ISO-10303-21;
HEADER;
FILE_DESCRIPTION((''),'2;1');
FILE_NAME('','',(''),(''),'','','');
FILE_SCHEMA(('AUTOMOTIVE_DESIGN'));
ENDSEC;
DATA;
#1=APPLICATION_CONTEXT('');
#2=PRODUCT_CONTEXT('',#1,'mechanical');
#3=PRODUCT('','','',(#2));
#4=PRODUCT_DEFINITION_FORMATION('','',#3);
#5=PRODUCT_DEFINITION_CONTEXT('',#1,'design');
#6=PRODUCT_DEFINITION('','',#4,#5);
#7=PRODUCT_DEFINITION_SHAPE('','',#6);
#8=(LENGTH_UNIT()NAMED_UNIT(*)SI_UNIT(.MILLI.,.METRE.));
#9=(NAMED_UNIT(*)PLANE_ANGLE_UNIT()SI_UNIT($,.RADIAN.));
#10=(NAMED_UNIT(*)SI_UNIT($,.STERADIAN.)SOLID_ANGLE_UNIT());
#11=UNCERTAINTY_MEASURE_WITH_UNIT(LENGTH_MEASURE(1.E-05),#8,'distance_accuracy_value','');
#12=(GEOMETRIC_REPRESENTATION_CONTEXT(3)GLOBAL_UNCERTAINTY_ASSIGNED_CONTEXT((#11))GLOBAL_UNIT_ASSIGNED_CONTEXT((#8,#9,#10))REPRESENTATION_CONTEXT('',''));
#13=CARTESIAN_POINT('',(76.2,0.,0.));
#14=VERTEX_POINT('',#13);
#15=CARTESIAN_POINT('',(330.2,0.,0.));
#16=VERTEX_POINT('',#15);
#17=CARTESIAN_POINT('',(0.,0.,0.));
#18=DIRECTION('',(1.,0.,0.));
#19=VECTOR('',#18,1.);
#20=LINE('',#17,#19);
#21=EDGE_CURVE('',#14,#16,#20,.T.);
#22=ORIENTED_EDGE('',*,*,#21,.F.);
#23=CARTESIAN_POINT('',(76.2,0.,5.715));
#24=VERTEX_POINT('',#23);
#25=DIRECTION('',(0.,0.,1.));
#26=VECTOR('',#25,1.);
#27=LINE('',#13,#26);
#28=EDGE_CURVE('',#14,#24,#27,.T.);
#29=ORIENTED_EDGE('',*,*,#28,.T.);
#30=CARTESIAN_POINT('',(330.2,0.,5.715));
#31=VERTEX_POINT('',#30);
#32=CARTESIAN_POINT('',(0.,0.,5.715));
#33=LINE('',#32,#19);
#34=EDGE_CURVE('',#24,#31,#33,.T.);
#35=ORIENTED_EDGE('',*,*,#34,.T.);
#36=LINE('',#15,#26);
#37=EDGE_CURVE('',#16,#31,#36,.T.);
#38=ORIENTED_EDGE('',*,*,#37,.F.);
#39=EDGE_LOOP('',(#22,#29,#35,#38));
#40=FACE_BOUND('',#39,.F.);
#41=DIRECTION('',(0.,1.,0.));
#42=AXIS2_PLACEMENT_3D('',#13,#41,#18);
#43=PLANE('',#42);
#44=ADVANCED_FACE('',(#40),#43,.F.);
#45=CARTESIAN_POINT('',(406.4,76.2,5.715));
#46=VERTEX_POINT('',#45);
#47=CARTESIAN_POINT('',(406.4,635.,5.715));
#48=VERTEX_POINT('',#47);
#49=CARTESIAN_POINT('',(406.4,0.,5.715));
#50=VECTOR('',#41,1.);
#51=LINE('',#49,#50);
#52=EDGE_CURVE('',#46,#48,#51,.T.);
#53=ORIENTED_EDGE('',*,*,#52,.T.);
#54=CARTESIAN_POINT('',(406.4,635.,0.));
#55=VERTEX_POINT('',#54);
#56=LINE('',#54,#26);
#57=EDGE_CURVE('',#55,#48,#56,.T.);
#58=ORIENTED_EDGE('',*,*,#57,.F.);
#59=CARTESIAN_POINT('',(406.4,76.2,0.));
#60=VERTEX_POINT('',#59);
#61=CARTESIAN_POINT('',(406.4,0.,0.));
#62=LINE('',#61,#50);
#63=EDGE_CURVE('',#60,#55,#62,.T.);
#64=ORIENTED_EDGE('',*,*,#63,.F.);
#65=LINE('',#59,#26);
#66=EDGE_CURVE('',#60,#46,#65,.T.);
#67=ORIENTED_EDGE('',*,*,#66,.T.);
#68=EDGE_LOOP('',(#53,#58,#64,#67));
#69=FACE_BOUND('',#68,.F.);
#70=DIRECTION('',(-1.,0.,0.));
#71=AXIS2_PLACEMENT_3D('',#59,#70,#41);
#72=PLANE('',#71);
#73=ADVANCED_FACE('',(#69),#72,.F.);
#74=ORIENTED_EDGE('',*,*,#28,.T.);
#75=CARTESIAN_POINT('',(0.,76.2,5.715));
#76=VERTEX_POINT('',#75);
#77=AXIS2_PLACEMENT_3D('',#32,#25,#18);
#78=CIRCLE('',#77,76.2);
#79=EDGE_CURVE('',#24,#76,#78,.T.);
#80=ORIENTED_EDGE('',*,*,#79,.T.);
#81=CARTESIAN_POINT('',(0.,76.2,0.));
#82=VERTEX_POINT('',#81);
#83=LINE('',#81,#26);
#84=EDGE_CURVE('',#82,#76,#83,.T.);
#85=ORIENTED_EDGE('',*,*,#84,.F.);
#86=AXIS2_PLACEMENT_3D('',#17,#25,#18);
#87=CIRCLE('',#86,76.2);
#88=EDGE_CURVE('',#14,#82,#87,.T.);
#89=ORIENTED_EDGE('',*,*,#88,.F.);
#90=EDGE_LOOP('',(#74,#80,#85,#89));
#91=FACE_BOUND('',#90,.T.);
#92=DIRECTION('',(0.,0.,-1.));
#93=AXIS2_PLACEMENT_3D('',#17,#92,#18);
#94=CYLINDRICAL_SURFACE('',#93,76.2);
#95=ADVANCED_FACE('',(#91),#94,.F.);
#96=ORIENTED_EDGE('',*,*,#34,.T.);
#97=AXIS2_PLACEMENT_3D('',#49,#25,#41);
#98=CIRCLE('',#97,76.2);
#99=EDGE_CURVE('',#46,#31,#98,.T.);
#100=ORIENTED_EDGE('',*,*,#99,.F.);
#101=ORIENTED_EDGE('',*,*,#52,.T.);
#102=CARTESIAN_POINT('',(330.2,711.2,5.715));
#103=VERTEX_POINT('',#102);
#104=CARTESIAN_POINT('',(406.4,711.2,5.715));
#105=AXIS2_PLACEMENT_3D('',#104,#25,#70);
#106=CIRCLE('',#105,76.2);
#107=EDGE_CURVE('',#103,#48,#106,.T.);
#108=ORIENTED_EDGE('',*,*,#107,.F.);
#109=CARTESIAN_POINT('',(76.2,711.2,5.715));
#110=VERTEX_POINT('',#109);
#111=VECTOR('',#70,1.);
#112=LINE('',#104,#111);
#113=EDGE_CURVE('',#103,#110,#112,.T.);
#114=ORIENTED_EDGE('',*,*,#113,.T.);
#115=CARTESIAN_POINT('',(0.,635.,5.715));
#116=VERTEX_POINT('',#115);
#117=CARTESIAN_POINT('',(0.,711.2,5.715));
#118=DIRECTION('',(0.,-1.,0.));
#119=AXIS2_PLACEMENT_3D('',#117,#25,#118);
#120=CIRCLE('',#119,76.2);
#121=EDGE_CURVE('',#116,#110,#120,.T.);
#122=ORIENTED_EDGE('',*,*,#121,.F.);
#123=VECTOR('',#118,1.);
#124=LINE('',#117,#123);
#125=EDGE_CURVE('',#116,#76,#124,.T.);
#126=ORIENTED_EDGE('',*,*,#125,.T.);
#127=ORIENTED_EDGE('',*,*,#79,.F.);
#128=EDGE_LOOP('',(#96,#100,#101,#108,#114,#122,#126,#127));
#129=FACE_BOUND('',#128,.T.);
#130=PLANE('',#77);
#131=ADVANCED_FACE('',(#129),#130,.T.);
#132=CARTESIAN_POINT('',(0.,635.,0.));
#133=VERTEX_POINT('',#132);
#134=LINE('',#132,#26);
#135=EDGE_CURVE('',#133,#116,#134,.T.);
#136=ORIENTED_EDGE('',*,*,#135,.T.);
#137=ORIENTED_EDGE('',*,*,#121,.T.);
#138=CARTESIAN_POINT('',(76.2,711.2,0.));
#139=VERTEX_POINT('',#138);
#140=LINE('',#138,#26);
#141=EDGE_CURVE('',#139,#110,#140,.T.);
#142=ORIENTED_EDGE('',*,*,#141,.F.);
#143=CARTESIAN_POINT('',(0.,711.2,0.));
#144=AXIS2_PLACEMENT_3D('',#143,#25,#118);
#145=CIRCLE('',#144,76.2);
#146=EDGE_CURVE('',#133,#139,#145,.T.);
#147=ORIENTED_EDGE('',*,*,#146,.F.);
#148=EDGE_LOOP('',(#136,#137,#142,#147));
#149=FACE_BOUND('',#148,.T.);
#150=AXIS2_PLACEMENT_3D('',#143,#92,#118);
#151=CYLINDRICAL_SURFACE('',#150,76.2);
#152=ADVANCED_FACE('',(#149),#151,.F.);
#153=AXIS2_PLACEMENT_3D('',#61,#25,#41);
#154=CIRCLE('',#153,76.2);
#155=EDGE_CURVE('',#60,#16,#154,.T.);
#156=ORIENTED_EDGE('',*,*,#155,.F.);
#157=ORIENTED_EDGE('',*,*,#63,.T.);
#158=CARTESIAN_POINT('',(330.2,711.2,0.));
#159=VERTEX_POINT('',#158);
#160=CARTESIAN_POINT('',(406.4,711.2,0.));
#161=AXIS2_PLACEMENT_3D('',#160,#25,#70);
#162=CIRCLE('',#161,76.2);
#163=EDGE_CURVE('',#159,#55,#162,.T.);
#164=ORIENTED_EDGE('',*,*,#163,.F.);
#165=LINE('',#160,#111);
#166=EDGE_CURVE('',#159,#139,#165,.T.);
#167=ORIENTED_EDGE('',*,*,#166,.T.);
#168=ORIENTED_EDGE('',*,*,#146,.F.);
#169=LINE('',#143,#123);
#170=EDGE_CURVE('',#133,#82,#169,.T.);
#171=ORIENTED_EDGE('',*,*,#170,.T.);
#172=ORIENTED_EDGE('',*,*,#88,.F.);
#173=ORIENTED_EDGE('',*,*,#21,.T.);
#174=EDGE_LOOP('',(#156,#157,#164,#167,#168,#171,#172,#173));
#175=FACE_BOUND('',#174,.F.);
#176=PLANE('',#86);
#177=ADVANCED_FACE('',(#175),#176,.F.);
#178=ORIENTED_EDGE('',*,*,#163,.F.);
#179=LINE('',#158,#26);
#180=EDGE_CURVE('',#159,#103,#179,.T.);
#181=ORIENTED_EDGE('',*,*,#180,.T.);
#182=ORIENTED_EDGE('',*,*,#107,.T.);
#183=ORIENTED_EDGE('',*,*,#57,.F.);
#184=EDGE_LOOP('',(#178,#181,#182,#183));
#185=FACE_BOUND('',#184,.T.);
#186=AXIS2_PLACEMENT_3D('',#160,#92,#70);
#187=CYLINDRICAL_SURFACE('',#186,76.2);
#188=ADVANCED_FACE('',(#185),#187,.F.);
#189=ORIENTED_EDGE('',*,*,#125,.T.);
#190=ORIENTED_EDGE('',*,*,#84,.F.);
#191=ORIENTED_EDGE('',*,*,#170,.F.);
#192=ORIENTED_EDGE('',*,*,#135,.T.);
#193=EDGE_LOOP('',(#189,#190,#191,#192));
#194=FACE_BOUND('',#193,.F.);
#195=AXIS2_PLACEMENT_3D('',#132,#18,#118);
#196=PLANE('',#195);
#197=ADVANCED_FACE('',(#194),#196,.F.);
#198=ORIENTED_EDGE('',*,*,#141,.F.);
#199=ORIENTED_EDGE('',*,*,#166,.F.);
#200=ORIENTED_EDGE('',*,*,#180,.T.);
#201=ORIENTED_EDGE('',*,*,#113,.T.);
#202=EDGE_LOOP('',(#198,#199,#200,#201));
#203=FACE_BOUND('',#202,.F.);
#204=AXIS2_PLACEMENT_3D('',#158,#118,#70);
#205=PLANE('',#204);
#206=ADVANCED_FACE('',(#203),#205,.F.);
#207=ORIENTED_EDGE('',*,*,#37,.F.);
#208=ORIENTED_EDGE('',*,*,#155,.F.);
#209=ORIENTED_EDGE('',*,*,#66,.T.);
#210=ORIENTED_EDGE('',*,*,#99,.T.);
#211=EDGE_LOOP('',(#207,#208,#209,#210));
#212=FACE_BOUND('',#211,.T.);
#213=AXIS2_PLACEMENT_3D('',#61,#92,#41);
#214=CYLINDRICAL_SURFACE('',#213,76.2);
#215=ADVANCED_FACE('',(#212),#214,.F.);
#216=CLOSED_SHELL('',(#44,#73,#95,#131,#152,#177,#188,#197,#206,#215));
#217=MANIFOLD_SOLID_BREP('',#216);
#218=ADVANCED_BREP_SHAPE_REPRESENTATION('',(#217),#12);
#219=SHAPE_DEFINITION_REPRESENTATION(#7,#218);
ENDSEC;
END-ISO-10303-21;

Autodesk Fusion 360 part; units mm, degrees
sketch "Sketch1" plane through (0, 0, 0) normal (0, 0, 1) x (1, 0, 0)
  line L0 (0, 0) -> (406.4, 0)
  line L1 (406.4, 0) -> (406.4, 711.2)
  line L2 (406.4, 711.2) -> (0, 711.2)
  line L3 (0, 711.2) -> (0, 0)
  arc A0 (0, 635) -> (76.2, 711.2) centre (0, 711.2) ccw
  arc A1 (330.2, 711.2) -> (406.4, 635) centre (406.4, 711.2) ccw
  arc A2 (76.2, 0) -> (0, 76.2) centre (0, 0) ccw
  arc A3 (406.4, 76.2) -> (330.2, 0) centre (406.4, 0) ccw
  dimension "d1" = 406.4
  dimension "d2" = 711.2
  dimension "d5" = 152.4
  dimension "d6" = 152.4
  dimension "d7" = 152.4
  dimension "d8" = 152.4
extrude "Extrude1" add sketch "Sketch1" along normal blind 5.715 contours L0 L1 L2 L3 A0 A1 A2 A3 makes body 1
copy_body "Body->Comp1" bodies 1 removing the originals makes body 2 in component "Component"
component "Component" placed x (1, 0, 0) y (0, 1, 0) z (0, 0, 1) at (0, 0, 0)
